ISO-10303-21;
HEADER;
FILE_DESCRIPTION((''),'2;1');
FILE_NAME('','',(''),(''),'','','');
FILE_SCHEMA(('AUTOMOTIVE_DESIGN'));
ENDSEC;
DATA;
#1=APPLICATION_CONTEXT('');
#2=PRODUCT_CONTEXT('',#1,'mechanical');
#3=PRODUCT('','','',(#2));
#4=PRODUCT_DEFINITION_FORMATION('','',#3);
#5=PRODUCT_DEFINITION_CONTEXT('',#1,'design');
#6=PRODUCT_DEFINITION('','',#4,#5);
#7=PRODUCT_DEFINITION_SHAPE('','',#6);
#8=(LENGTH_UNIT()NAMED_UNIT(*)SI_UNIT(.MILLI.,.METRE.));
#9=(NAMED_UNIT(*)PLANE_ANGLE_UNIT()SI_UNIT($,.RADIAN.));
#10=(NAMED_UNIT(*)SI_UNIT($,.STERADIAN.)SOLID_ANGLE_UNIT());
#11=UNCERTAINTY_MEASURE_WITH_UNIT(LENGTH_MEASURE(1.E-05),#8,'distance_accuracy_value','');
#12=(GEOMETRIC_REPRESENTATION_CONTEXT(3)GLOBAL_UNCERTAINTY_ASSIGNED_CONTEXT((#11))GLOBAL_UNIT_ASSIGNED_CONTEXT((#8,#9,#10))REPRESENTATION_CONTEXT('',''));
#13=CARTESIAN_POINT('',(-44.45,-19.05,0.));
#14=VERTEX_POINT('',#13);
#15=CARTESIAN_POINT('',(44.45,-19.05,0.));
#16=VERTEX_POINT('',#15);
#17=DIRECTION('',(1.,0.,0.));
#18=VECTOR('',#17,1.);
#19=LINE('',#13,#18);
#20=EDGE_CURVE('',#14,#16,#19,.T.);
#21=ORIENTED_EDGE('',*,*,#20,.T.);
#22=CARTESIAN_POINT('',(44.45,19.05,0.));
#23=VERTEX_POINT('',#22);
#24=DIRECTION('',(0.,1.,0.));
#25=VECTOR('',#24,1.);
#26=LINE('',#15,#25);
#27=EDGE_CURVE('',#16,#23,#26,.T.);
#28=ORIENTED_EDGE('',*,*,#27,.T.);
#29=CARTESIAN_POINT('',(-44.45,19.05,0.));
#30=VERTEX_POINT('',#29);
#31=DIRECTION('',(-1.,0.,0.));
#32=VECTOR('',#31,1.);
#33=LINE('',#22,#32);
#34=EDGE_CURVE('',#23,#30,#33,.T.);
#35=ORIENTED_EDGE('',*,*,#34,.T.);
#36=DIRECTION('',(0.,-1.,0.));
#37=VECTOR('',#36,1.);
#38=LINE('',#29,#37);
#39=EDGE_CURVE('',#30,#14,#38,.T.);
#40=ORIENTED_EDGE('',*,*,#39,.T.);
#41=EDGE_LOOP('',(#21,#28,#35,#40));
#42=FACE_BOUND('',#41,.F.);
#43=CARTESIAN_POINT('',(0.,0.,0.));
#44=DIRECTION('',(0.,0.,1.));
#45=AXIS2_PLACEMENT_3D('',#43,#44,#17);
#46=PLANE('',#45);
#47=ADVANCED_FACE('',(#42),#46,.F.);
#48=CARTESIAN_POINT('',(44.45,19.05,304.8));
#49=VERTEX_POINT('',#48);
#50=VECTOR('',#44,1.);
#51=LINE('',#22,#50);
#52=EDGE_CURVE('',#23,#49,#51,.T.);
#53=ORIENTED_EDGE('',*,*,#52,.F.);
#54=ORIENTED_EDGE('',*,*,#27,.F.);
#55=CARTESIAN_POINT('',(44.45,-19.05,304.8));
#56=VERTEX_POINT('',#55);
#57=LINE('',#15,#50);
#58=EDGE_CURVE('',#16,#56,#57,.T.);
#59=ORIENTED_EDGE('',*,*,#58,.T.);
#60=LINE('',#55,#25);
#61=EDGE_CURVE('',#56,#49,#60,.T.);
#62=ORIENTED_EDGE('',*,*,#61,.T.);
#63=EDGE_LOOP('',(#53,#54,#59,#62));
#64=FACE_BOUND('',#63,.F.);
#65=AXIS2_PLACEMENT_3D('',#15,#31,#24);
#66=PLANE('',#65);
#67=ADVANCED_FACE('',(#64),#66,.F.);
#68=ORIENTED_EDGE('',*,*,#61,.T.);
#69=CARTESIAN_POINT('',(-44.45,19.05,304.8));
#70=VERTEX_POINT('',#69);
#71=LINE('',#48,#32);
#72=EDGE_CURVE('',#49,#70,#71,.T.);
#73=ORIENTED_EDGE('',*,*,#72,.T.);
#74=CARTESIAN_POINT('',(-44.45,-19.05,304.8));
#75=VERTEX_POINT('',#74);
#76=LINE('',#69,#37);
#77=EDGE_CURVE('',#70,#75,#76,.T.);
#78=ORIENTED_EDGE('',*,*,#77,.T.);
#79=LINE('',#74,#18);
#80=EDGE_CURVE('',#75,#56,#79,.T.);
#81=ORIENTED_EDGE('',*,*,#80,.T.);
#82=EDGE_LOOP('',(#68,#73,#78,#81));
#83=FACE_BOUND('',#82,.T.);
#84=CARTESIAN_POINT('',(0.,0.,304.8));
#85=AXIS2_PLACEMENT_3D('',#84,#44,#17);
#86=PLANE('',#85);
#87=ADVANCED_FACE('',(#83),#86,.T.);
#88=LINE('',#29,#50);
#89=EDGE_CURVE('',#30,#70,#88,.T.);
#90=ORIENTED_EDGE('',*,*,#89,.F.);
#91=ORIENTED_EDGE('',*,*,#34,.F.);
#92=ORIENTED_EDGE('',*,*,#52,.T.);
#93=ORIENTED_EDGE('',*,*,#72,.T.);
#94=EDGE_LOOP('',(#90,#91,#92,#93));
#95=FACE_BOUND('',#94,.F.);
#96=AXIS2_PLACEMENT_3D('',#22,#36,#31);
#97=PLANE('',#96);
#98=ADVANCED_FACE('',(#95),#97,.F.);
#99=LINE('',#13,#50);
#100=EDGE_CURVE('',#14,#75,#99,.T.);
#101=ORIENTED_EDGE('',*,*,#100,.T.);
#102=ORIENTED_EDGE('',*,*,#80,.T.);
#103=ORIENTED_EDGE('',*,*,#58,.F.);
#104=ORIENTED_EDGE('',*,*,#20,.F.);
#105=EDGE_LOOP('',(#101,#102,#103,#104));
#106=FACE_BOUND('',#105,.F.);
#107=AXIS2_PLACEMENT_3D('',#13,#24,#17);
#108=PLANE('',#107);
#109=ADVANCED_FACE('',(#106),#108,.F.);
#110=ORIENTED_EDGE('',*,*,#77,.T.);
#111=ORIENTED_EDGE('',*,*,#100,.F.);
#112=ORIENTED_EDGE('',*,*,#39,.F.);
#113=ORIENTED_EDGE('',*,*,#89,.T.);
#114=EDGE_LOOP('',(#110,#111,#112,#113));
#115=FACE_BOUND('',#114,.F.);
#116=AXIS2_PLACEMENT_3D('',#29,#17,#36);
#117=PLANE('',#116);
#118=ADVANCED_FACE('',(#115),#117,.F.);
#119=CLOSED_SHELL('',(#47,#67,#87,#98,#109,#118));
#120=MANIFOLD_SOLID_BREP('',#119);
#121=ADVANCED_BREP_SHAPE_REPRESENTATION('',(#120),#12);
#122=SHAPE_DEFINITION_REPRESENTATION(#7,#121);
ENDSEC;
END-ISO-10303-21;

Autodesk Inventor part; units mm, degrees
ref_plane "YZ Plane" through (0, 0, 0) normal (1, 0, 0) x (0, 1, 0)
ref_plane "XZ Plane" through (0, 0, 0) normal (0, 1, 0) x (-1, 0, 0)
ref_plane "XY Plane" through (0, 0, 0) normal (0, 0, 1) x (1, 0, 0)
sketch "Sketch1" plane through (0, 0, 0) normal (0, 0, 1) x (1, 0, 0)
  line L0 (-44.45, -19.05) -> (44.45, -19.05)
  line L1 (44.45, -19.05) -> (44.45, 19.05)
  line L2 (44.45, 19.05) -> (-44.45, 19.05)
  line L3 (-44.45, 19.05) -> (-44.45, -19.05)
  line L4 (-44.45, -19.05) -> (44.45, 19.05) construction
  line L5 (44.45, -19.05) -> (-44.45, 19.05) construction
  point P0 (0, 0)
  dimension "d0" = 88.9
  dimension "d1" = 38.1
extrude "Extrusion1" add sketch "Sketch1" along normal blind 304.8
properties part number "2x4x8.5"
